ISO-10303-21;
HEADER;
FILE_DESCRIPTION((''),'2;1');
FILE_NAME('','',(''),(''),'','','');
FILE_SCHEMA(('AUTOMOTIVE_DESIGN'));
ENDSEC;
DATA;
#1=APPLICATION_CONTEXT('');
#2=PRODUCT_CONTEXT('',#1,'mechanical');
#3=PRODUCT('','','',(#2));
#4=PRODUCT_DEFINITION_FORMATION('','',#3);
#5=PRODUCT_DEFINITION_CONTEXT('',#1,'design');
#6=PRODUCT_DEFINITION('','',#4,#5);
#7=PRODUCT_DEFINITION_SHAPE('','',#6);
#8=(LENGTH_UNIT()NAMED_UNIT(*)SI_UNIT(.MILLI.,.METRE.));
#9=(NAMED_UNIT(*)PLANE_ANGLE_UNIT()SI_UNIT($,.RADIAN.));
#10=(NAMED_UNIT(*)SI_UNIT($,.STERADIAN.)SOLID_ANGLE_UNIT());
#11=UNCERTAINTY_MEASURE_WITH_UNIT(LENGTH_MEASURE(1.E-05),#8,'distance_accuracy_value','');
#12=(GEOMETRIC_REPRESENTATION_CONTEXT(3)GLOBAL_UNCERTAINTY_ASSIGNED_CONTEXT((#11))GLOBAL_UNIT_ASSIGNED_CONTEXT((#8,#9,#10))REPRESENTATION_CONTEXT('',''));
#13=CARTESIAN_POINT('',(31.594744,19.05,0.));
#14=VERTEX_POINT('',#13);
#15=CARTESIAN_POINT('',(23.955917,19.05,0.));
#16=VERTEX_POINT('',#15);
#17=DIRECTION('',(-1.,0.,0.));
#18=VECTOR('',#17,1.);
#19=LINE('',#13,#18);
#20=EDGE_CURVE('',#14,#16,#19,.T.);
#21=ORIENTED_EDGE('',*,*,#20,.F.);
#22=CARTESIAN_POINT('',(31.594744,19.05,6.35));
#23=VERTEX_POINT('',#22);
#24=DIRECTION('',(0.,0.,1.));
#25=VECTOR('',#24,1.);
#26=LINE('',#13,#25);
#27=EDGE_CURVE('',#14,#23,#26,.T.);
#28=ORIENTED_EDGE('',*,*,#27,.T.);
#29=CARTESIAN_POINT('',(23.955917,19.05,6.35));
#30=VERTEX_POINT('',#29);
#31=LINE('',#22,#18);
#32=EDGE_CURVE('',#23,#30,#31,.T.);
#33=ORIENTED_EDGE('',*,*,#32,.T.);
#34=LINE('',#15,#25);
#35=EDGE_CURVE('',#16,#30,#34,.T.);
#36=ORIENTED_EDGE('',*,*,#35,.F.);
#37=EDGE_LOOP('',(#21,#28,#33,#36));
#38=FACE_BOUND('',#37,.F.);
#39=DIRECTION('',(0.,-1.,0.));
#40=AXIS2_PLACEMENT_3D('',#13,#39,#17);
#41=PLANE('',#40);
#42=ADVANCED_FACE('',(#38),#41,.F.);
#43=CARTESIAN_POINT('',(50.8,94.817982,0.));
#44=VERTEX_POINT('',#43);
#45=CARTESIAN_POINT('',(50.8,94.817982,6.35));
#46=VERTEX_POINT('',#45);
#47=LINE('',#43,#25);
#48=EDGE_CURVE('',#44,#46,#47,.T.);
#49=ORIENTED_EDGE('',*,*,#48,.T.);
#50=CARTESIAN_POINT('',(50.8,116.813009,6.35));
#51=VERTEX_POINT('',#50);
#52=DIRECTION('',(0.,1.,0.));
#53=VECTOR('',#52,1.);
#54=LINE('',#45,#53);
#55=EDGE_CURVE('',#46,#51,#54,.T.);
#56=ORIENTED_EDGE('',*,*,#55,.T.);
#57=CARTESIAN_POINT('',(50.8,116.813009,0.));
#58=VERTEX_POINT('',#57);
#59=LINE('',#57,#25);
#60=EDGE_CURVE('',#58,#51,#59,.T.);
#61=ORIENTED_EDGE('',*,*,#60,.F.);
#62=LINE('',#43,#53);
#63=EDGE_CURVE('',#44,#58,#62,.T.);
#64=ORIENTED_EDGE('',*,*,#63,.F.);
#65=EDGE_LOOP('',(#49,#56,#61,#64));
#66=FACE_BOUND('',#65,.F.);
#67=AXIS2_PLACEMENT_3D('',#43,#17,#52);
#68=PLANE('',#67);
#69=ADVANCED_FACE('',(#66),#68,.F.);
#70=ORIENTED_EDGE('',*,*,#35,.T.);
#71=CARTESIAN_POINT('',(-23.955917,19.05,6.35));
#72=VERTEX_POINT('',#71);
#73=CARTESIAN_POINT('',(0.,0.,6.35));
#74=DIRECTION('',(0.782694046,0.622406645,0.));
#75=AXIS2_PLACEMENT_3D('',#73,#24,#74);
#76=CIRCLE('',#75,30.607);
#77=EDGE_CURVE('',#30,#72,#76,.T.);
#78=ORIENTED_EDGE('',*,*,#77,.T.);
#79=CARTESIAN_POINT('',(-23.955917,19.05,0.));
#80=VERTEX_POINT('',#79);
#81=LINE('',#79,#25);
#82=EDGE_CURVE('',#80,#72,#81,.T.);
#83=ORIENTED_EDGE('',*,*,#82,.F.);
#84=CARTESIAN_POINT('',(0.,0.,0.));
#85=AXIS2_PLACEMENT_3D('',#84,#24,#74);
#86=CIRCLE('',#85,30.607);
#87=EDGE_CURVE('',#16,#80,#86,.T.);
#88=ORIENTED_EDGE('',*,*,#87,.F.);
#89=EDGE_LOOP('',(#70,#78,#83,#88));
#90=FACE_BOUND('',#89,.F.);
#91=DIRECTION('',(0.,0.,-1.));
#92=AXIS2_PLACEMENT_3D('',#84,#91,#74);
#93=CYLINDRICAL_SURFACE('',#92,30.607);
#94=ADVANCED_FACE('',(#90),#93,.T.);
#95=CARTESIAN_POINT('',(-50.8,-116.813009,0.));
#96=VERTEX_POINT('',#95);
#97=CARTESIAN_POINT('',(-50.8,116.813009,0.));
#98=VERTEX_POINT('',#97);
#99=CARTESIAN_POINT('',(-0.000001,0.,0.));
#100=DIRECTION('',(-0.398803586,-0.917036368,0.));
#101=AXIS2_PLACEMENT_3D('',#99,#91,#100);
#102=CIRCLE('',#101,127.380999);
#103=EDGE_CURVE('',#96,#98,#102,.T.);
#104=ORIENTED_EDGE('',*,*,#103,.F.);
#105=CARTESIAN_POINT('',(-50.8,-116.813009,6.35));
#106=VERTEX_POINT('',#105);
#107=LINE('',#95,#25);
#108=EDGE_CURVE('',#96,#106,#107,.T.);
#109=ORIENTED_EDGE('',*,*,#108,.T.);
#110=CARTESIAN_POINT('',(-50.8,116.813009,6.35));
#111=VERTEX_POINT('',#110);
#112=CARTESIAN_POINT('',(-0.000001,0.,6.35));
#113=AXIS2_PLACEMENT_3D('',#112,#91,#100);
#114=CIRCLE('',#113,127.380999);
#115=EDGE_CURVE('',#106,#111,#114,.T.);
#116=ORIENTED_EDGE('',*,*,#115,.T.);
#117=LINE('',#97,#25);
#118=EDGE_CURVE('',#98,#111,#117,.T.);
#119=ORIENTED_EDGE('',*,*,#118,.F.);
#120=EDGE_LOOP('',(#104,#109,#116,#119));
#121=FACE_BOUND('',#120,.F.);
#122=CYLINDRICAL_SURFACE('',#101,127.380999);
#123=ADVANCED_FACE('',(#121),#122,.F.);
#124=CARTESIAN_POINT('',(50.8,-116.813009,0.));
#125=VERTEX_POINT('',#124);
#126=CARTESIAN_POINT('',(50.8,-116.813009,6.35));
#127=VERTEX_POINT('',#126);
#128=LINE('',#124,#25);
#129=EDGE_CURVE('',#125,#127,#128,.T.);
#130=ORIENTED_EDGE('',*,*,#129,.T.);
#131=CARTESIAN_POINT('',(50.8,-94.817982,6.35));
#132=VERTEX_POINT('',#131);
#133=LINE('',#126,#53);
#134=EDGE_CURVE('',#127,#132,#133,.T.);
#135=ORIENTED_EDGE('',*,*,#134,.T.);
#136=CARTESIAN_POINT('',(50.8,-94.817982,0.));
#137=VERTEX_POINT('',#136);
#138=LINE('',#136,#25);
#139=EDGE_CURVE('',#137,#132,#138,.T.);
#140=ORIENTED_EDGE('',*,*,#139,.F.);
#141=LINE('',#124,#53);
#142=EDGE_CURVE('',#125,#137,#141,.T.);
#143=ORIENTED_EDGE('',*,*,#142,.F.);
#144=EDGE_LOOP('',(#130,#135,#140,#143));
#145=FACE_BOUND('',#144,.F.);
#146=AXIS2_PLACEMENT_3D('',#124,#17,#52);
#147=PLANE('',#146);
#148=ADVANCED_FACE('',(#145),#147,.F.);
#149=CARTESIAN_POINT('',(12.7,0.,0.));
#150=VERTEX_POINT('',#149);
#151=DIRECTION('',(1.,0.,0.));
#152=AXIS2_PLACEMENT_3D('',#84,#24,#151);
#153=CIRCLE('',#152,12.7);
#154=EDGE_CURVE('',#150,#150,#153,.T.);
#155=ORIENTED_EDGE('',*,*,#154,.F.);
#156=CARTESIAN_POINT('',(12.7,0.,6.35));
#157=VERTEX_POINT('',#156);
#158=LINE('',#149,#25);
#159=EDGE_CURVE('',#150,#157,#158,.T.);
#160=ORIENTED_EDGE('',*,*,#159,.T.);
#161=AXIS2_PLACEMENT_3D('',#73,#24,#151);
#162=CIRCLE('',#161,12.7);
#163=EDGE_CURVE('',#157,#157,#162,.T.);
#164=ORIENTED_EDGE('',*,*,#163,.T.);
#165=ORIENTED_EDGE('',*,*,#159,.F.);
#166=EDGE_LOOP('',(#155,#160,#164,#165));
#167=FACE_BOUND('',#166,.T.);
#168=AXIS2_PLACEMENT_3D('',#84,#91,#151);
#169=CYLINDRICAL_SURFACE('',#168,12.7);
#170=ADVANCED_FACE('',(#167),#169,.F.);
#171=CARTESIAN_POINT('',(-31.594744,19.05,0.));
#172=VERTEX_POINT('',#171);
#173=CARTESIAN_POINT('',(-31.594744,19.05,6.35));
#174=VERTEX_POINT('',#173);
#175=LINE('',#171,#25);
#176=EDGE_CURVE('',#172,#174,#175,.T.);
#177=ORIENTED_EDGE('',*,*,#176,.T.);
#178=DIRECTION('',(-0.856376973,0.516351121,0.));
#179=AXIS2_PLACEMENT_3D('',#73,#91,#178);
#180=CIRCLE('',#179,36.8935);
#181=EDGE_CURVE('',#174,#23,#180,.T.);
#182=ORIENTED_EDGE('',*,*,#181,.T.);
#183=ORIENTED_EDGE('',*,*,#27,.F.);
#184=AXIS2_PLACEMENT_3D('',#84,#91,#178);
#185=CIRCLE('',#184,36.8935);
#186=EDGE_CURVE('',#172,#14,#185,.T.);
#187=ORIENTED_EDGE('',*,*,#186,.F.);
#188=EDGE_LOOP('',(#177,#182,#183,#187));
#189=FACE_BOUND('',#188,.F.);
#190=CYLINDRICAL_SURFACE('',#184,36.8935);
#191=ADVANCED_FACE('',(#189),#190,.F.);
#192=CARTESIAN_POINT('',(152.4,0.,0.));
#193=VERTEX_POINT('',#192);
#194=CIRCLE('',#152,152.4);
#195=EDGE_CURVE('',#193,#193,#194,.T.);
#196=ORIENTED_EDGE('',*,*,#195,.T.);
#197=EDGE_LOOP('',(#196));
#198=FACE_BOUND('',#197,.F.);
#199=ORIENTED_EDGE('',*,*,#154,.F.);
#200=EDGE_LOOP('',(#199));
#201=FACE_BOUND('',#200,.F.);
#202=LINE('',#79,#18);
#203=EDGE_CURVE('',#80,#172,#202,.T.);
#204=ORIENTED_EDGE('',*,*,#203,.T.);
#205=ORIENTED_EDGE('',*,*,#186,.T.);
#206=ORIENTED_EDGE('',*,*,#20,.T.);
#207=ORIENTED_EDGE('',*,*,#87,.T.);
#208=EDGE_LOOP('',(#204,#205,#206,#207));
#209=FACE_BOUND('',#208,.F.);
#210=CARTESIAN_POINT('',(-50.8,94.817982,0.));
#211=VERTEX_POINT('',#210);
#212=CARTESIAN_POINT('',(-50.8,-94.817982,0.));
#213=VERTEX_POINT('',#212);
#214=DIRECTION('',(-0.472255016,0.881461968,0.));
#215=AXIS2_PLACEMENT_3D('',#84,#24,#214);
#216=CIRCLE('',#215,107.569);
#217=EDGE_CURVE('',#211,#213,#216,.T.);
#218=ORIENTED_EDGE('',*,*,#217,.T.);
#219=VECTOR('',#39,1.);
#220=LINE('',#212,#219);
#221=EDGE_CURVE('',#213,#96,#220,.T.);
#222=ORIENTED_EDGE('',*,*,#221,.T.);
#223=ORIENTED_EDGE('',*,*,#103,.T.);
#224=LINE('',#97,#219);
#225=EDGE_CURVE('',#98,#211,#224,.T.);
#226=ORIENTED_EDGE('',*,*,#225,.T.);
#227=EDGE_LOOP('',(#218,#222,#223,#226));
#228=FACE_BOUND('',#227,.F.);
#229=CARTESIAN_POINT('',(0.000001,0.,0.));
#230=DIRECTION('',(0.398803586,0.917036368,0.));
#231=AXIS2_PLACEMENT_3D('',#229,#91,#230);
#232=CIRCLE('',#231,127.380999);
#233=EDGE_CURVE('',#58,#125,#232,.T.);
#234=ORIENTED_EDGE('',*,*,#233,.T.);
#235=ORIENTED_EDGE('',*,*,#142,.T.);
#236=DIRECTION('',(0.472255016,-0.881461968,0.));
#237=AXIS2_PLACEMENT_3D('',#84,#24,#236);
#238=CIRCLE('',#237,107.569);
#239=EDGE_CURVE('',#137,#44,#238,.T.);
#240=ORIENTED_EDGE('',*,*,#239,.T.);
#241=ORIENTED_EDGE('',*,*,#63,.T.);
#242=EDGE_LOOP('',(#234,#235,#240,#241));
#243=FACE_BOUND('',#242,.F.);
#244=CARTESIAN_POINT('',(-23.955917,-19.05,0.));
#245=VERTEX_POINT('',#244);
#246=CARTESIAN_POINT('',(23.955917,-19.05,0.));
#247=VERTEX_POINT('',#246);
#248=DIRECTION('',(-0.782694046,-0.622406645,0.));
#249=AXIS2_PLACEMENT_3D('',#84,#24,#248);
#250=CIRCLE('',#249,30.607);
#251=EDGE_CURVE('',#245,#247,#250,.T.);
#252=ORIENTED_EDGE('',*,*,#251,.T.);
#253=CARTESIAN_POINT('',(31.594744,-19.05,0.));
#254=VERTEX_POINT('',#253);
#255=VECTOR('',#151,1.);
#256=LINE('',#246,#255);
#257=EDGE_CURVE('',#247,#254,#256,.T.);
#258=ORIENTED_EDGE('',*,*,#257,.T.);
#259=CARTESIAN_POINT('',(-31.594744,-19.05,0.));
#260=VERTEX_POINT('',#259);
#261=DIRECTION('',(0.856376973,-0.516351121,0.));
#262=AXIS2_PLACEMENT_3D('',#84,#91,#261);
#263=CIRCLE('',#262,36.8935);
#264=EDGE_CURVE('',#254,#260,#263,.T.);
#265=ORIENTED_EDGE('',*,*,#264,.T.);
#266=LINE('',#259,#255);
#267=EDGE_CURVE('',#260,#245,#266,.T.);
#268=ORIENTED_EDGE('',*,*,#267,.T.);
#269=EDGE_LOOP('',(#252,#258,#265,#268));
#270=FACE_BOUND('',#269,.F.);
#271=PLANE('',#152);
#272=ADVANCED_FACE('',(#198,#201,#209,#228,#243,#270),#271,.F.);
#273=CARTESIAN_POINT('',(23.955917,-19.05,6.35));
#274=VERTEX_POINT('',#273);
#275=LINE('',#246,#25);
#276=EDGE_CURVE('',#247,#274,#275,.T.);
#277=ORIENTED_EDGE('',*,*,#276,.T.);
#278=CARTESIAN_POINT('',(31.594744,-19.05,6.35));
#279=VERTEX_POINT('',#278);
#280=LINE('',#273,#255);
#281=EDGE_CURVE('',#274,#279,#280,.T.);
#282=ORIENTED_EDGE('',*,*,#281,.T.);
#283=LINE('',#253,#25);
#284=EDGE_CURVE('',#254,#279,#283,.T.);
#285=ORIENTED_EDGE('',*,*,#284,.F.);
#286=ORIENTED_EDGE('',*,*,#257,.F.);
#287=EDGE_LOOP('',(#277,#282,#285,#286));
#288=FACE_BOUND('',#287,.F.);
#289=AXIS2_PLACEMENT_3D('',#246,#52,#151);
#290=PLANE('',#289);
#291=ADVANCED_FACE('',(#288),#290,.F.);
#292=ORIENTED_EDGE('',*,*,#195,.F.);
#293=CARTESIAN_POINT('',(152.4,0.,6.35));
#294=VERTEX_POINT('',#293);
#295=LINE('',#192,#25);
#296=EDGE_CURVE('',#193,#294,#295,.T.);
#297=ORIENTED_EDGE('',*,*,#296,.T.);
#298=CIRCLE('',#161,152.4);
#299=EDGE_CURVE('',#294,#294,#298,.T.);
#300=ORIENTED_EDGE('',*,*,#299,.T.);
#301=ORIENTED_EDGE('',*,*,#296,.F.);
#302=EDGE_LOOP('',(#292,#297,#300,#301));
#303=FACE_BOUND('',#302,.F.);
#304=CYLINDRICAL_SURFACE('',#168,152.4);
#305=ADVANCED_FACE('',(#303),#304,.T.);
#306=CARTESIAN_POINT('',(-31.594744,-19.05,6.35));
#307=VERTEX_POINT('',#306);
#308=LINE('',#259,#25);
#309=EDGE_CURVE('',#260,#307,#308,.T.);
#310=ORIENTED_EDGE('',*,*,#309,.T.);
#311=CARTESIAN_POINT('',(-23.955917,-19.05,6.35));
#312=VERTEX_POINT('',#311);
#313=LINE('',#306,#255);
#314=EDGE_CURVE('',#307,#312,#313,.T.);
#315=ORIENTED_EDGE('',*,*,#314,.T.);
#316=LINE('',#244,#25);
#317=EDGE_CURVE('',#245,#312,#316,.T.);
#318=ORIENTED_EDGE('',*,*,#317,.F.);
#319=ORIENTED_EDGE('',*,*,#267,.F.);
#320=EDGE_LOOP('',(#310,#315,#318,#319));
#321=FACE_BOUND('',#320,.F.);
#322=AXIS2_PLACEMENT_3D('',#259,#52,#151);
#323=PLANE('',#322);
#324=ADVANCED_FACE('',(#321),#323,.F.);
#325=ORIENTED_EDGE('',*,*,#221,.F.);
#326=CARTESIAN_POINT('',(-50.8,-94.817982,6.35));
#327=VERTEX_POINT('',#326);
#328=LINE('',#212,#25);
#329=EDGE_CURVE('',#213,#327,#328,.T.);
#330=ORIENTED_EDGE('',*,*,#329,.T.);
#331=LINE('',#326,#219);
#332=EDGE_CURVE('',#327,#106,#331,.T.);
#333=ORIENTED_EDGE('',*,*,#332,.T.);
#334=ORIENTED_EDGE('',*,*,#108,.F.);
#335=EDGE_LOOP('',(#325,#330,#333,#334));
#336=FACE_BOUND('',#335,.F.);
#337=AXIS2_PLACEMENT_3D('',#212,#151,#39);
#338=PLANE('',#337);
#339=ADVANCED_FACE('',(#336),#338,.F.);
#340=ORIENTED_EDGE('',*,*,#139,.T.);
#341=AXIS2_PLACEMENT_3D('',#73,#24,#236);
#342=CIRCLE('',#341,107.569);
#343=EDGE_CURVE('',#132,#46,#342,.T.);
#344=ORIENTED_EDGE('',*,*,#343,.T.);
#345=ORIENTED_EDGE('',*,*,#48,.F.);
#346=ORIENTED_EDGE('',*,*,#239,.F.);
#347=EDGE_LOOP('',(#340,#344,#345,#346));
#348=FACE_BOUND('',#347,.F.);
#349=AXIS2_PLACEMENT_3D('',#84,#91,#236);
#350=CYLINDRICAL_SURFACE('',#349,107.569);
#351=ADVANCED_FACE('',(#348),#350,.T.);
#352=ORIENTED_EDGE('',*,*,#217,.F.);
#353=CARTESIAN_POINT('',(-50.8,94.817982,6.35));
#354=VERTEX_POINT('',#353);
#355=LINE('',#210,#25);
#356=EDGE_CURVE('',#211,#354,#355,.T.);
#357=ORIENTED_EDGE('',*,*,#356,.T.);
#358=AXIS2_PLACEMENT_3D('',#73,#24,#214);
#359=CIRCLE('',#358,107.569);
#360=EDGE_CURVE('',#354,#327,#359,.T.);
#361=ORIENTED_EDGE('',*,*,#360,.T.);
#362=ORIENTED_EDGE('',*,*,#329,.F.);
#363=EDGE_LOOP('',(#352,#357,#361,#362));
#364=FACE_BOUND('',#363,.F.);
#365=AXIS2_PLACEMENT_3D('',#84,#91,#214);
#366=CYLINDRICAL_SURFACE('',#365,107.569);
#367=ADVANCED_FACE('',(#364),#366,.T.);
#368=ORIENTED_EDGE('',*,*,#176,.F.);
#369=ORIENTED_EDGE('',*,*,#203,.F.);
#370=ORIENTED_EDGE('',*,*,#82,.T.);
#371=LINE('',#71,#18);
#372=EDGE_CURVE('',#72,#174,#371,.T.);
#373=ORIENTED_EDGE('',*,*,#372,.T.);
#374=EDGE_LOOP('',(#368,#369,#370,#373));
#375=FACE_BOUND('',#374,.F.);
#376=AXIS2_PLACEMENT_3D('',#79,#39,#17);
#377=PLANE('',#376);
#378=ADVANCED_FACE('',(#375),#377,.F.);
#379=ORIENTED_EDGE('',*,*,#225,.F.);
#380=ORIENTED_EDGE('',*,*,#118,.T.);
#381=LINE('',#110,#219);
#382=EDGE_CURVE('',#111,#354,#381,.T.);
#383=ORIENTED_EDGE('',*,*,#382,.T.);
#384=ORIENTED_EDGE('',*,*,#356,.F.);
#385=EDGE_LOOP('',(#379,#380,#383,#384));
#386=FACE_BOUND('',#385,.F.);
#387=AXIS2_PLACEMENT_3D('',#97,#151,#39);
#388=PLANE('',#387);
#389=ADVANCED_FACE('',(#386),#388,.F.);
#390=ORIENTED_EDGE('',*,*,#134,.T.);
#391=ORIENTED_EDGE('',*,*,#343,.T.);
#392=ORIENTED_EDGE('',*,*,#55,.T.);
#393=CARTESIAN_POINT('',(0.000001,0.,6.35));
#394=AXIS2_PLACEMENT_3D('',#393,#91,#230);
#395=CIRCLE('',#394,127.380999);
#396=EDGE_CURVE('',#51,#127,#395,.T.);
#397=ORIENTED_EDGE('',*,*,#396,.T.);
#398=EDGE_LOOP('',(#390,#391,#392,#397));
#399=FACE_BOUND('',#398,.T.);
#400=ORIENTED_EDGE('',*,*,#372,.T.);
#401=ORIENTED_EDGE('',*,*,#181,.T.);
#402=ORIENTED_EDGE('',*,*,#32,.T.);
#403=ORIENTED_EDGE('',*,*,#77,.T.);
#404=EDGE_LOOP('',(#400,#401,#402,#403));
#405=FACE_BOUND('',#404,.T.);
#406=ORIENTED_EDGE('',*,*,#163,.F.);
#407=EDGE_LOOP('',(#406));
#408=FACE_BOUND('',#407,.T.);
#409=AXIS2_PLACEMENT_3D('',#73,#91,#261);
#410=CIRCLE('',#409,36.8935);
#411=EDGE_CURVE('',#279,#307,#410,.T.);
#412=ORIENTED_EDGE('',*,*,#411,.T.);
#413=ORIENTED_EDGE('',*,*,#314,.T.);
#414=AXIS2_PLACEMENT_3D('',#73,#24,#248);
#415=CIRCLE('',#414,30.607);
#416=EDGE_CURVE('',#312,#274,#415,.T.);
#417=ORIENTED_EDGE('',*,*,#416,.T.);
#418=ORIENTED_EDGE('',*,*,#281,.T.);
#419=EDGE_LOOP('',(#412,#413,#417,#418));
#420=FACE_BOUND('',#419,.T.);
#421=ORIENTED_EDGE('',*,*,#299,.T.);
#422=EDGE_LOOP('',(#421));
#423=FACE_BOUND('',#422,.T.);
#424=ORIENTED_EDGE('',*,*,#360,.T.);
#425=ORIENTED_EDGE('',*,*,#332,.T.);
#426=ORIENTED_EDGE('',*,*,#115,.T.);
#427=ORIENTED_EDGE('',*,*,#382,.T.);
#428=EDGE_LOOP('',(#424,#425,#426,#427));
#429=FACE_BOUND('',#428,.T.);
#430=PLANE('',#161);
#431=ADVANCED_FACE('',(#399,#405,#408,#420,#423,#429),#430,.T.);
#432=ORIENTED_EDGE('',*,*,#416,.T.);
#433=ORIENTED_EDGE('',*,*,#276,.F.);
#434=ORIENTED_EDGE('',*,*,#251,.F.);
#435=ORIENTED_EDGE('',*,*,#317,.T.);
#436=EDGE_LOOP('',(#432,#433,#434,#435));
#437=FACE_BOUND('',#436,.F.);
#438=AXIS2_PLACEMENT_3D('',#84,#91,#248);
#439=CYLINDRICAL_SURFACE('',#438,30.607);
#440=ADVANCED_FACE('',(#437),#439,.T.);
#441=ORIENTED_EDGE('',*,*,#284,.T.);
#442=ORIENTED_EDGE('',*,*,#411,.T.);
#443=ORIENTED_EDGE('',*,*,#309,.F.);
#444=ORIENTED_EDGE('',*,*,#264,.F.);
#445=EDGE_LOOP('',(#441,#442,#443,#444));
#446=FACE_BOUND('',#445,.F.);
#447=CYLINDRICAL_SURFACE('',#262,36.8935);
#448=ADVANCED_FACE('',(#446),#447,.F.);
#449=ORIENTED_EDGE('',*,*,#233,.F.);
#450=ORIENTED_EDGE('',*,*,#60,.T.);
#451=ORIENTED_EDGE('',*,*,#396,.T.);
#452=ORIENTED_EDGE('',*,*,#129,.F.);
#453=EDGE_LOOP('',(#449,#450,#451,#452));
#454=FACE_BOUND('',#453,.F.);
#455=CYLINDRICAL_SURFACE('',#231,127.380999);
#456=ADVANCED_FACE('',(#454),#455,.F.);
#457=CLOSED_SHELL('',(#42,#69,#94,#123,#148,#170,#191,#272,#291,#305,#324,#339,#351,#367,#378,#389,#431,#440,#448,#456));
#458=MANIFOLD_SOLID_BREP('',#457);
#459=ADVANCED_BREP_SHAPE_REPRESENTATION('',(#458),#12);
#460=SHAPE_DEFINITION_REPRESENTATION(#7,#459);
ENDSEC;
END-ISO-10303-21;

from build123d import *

# Parameters (mm, degrees)
F0_R     = 152.4
F0_R_2   = 12.7
F1_DEPTH = 6.35


with BuildPart() as f1:
    # F0 (on Top) → F1 (new body)
    with BuildSketch(Plane.XY):
        Circle(F0_R)
        with BuildLine():
            ThreePointArc((31.594744, -19.05), (0, -36.8935), (-31.594744, -19.05))
            Line((-31.594744, -19.05), (-23.955917, -19.05))
            ThreePointArc((-23.955917, -19.05), (0, -30.607), (23.955917, -19.05))
            Line((23.955917, -19.05), (31.594744, -19.05))
        make_face(mode=Mode.SUBTRACT)
        with BuildLine():
            ThreePointArc((-50.8, -116.813009), (-127.381, 0), (-50.8, 116.813009))
            Line((-50.8, 116.813009), (-50.8, 94.817982))
            ThreePointArc((-50.8, 94.817982), (-107.569, 0), (-50.8, -94.817982))
            Line((-50.8, -94.817982), (-50.8, -116.813009))
        make_face(mode=Mode.SUBTRACT)
        Circle(F0_R_2, mode=Mode.SUBTRACT)
        with BuildLine():
            Line((-23.955917, 19.05), (-31.594744, 19.05))
            ThreePointArc((-31.594744, 19.05), (0, 36.8935), (31.594744, 19.05))
            Line((31.594744, 19.05), (23.955917, 19.05))
            ThreePointArc((23.955917, 19.05), (0, 30.607), (-23.955917, 19.05))
        make_face(mode=Mode.SUBTRACT)
        with BuildLine():
            Line((50.8, 94.817982), (50.8, 116.813009))
            ThreePointArc((50.8, 116.813009), (127.381, 0), (50.8, -116.813009))
            Line((50.8, -116.813009), (50.8, -94.817982))
            ThreePointArc((50.8, -94.817982), (107.569, 0), (50.8, 94.817982))
        make_face(mode=Mode.SUBTRACT)
    extrude(amount=F1_DEPTH)


solid = f1.part
